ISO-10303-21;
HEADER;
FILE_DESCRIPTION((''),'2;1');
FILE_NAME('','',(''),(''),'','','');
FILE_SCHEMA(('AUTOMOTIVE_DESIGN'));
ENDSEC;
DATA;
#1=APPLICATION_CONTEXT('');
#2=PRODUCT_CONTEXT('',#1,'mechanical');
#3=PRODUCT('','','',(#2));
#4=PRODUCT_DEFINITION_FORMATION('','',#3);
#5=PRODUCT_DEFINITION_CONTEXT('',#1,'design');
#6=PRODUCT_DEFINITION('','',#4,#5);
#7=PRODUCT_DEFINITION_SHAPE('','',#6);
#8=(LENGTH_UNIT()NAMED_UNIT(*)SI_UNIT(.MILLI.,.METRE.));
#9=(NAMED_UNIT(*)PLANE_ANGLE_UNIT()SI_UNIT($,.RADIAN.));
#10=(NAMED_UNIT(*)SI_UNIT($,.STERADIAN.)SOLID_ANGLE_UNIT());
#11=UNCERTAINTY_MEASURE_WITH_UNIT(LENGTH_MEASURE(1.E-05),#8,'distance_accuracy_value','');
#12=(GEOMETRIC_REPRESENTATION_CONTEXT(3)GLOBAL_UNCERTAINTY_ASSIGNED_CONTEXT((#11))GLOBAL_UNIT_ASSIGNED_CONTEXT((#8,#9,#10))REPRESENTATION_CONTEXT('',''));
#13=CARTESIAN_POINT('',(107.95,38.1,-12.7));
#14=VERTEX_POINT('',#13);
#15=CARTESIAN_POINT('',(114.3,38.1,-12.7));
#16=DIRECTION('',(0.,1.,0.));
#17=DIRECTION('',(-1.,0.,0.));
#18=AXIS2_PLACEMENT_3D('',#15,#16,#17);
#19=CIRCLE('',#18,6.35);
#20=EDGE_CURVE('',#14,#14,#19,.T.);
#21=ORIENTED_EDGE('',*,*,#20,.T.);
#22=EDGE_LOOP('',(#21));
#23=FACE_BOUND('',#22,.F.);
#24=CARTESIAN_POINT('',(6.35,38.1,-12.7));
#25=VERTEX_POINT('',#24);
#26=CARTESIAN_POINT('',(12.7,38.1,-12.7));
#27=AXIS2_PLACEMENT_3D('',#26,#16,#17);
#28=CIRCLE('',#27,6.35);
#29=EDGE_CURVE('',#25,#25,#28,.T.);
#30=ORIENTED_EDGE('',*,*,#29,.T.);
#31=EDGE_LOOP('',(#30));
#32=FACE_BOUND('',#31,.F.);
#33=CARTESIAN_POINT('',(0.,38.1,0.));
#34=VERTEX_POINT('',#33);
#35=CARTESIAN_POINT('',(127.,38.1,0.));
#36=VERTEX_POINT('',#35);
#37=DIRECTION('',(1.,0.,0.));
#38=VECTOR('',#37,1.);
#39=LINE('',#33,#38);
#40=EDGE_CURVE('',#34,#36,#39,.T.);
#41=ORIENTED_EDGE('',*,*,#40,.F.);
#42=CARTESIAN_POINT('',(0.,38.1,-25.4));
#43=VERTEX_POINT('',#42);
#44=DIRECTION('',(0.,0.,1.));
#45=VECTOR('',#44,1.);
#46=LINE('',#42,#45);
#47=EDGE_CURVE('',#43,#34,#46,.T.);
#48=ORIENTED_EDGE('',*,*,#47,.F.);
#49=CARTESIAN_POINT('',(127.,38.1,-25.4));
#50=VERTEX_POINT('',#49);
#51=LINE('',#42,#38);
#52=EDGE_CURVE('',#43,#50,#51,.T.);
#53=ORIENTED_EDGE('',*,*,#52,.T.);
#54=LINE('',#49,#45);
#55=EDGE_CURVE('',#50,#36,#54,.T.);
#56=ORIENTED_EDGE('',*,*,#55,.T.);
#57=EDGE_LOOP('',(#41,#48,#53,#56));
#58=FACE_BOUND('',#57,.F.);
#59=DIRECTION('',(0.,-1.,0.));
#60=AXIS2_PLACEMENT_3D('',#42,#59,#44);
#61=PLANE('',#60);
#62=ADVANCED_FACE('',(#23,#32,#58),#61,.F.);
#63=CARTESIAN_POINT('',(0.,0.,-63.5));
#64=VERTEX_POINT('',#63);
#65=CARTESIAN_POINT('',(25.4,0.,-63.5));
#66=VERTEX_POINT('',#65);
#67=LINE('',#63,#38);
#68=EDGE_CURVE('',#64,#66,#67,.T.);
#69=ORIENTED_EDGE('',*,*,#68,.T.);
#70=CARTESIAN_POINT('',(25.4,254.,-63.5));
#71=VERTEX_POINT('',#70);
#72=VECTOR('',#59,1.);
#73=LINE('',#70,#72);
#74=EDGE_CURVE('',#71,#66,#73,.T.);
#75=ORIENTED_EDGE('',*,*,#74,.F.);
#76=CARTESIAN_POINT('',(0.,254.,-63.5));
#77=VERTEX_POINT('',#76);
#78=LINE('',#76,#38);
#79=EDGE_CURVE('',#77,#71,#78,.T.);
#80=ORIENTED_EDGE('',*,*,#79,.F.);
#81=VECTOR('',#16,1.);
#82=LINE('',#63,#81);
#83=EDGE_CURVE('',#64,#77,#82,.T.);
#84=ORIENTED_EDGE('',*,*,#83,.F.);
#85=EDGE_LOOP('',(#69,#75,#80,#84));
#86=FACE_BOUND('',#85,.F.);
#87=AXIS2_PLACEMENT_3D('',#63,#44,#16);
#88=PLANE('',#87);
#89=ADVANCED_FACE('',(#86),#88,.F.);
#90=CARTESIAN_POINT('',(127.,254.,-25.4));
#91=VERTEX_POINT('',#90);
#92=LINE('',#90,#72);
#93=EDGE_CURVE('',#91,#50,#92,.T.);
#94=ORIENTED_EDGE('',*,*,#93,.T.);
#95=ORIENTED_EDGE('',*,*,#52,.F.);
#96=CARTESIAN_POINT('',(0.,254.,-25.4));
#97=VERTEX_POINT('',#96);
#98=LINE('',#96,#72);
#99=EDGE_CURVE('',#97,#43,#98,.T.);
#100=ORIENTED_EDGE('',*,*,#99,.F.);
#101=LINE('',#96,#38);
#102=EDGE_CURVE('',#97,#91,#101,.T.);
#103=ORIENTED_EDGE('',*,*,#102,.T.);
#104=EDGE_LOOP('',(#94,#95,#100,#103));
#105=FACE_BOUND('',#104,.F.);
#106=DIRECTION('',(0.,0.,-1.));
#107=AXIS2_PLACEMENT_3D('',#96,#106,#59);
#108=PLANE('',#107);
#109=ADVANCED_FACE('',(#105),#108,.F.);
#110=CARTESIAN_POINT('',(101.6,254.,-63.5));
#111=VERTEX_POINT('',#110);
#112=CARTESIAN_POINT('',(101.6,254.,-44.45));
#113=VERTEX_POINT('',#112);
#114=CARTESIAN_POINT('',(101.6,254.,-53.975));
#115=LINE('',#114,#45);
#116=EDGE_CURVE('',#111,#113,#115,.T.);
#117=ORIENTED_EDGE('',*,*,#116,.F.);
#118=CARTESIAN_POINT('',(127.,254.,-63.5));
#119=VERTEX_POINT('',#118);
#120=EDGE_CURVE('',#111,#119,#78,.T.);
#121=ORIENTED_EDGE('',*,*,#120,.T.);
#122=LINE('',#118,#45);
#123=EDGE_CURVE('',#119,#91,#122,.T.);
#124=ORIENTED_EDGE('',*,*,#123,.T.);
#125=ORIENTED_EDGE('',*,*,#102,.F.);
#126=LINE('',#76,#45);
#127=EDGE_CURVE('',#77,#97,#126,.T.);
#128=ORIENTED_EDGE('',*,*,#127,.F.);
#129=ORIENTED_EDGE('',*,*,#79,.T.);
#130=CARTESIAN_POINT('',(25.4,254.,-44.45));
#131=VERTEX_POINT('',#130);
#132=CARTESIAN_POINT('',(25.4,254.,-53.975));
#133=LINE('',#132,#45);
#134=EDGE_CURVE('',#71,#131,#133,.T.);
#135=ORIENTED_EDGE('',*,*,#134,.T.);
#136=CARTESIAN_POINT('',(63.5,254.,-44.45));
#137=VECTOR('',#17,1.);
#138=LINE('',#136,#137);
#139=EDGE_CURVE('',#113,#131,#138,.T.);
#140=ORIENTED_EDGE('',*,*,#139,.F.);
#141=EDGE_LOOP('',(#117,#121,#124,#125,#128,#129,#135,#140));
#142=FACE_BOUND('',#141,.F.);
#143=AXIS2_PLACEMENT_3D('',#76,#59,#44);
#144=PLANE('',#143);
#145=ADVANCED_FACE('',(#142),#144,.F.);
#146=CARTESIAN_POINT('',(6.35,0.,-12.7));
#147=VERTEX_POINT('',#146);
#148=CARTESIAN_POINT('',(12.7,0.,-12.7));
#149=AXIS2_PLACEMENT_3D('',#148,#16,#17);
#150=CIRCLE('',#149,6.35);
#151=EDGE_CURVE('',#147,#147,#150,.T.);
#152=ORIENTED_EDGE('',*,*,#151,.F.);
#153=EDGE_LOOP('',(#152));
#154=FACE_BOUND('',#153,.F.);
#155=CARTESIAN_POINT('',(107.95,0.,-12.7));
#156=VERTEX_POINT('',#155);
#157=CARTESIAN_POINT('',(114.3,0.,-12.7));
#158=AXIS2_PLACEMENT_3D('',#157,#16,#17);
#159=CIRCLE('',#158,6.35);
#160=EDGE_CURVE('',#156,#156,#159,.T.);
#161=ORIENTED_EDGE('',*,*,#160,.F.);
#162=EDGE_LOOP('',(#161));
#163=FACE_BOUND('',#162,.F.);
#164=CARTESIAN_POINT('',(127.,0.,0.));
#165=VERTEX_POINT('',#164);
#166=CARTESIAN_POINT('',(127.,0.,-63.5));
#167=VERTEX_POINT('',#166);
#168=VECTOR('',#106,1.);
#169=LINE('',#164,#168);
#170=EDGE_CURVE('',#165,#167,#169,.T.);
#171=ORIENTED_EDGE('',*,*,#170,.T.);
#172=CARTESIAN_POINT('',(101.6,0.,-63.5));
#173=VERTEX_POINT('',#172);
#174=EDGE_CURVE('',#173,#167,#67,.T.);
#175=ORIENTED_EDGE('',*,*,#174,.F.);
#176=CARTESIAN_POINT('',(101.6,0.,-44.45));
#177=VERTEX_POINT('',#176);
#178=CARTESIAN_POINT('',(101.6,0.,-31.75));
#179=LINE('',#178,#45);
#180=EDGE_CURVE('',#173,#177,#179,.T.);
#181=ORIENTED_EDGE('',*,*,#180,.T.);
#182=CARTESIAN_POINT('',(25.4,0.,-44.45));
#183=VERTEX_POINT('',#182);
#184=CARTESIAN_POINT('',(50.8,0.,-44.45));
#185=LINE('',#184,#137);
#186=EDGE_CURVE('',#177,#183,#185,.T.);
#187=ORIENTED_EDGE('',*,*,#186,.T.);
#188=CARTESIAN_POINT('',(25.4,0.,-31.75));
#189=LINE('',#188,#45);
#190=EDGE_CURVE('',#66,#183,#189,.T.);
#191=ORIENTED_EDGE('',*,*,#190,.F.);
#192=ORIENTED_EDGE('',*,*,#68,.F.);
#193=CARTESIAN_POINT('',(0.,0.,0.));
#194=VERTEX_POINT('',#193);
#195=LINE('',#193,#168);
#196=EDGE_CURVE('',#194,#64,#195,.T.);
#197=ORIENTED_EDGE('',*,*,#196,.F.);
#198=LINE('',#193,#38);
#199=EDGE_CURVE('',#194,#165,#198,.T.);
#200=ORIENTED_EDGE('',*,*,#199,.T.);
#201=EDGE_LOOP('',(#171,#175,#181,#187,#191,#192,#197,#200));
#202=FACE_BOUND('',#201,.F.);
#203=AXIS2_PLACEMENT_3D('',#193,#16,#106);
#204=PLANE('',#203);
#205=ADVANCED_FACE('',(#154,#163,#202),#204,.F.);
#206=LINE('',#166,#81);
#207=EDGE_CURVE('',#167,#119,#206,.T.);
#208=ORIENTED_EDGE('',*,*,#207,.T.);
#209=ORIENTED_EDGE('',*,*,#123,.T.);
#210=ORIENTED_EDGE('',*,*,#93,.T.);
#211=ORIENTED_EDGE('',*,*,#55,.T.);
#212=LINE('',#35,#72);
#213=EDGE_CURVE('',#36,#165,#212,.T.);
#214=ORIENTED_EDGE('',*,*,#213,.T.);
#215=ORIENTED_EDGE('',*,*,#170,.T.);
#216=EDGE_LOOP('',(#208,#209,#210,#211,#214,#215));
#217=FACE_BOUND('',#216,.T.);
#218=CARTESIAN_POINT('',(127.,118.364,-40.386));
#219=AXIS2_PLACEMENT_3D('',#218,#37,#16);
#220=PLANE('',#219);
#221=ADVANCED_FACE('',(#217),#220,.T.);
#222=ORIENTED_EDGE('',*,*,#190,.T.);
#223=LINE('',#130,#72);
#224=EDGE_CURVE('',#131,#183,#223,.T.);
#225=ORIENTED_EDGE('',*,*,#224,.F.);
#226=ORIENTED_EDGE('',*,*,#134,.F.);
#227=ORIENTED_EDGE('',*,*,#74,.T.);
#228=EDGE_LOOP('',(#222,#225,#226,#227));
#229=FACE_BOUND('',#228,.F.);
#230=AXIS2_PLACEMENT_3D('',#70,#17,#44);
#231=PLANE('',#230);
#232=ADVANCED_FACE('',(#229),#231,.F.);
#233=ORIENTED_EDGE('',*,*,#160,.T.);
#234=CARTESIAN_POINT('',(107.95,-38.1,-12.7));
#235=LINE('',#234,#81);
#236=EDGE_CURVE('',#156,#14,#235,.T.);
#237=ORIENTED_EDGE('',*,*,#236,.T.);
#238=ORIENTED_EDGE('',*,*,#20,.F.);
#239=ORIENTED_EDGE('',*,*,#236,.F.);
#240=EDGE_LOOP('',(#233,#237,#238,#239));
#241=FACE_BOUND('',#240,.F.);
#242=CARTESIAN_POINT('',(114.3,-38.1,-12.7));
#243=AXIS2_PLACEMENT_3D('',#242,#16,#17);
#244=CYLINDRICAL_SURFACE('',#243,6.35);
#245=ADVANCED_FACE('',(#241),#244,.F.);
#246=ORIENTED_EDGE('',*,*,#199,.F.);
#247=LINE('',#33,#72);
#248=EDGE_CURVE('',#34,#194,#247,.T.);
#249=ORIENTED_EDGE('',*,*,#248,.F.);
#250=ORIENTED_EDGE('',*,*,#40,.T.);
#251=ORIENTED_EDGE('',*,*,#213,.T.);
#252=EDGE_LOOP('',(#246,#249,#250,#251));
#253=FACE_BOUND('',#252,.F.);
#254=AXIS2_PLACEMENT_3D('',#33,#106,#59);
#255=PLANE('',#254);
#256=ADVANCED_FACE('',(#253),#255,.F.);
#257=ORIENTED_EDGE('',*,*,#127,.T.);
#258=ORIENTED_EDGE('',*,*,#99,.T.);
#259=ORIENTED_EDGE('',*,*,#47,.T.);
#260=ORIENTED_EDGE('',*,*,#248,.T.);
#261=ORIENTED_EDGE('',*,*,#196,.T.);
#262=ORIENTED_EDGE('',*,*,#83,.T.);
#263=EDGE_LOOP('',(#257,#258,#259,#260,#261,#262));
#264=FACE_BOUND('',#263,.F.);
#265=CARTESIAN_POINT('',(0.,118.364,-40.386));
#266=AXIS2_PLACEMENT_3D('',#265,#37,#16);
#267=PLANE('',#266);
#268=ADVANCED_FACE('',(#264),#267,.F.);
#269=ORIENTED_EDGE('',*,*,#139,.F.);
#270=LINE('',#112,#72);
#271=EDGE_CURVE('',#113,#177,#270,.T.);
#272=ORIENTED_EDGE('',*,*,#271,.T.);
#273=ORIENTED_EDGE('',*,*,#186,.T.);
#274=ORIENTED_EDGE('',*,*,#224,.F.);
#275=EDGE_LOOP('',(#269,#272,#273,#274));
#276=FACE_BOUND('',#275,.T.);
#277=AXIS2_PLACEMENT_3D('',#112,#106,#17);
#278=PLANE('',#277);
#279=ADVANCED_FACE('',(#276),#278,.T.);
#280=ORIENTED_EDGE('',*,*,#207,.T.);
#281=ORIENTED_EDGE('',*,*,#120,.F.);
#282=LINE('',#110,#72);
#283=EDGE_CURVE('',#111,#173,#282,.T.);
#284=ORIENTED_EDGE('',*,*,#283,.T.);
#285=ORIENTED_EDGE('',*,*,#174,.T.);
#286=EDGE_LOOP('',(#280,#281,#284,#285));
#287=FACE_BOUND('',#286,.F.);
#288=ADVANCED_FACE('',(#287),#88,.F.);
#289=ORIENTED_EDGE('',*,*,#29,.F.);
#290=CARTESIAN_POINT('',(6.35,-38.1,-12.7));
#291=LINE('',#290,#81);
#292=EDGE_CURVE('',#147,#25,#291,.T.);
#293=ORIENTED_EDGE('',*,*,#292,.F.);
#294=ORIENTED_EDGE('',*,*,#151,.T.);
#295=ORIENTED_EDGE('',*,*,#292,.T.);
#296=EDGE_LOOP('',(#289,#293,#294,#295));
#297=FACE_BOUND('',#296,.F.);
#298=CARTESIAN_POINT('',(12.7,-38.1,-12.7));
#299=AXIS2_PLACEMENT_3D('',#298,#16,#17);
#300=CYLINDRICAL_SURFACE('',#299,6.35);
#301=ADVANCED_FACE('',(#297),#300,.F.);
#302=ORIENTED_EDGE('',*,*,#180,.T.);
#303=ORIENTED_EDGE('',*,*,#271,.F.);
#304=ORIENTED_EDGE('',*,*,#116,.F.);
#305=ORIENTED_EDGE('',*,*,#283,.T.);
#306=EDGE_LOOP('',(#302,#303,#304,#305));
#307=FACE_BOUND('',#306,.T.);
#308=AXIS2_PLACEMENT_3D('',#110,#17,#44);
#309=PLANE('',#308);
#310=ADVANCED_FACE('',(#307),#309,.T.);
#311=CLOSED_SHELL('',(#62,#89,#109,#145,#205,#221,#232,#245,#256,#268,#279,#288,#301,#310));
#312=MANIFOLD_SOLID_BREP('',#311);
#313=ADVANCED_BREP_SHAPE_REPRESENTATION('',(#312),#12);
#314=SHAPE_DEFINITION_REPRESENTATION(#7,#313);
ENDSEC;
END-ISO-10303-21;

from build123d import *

# Parameters (mm, degrees)
F1_DEPTH = 127
F3_D     = 12.7
F3_DEPTH = 38.1
F5_D     = 12.7
F5_DEPTH = 38.1
F6_W     = 76.2
F6_H     = 19.05
F7_DEPTH = 254.001


with BuildPart() as f1:
    # F0 (on Right) → F1 (new body)
    with BuildSketch(Plane.YZ):
        Polygon((38.1, 0), (0, 0), (0, -63.5), (254, -63.5), (254, -25.4), (38.1, -25.4), align=None)
    extrude(amount=F1_DEPTH)

    # F3
    with Locations(Plane.XZ):
        with Locations((12.7, -12.7)):
            Hole(F3_D / 2, depth=F3_DEPTH)

    # F5
    with Locations(Plane.XZ):
        with Locations((114.3, -12.7)):
            Hole(F5_D / 2, depth=F5_DEPTH)

    # F6 (on face) → F7 (cut, through all)
    with BuildSketch(Plane(origin=(0, 254, 0), x_dir=(-1, 0, 0), z_dir=(0, 1, 0))):
        with Locations((-63.5, -53.975)):
            Rectangle(F6_W, F6_H)
    extrude(amount=-F7_DEPTH, mode=Mode.SUBTRACT)


solid = f1.part
